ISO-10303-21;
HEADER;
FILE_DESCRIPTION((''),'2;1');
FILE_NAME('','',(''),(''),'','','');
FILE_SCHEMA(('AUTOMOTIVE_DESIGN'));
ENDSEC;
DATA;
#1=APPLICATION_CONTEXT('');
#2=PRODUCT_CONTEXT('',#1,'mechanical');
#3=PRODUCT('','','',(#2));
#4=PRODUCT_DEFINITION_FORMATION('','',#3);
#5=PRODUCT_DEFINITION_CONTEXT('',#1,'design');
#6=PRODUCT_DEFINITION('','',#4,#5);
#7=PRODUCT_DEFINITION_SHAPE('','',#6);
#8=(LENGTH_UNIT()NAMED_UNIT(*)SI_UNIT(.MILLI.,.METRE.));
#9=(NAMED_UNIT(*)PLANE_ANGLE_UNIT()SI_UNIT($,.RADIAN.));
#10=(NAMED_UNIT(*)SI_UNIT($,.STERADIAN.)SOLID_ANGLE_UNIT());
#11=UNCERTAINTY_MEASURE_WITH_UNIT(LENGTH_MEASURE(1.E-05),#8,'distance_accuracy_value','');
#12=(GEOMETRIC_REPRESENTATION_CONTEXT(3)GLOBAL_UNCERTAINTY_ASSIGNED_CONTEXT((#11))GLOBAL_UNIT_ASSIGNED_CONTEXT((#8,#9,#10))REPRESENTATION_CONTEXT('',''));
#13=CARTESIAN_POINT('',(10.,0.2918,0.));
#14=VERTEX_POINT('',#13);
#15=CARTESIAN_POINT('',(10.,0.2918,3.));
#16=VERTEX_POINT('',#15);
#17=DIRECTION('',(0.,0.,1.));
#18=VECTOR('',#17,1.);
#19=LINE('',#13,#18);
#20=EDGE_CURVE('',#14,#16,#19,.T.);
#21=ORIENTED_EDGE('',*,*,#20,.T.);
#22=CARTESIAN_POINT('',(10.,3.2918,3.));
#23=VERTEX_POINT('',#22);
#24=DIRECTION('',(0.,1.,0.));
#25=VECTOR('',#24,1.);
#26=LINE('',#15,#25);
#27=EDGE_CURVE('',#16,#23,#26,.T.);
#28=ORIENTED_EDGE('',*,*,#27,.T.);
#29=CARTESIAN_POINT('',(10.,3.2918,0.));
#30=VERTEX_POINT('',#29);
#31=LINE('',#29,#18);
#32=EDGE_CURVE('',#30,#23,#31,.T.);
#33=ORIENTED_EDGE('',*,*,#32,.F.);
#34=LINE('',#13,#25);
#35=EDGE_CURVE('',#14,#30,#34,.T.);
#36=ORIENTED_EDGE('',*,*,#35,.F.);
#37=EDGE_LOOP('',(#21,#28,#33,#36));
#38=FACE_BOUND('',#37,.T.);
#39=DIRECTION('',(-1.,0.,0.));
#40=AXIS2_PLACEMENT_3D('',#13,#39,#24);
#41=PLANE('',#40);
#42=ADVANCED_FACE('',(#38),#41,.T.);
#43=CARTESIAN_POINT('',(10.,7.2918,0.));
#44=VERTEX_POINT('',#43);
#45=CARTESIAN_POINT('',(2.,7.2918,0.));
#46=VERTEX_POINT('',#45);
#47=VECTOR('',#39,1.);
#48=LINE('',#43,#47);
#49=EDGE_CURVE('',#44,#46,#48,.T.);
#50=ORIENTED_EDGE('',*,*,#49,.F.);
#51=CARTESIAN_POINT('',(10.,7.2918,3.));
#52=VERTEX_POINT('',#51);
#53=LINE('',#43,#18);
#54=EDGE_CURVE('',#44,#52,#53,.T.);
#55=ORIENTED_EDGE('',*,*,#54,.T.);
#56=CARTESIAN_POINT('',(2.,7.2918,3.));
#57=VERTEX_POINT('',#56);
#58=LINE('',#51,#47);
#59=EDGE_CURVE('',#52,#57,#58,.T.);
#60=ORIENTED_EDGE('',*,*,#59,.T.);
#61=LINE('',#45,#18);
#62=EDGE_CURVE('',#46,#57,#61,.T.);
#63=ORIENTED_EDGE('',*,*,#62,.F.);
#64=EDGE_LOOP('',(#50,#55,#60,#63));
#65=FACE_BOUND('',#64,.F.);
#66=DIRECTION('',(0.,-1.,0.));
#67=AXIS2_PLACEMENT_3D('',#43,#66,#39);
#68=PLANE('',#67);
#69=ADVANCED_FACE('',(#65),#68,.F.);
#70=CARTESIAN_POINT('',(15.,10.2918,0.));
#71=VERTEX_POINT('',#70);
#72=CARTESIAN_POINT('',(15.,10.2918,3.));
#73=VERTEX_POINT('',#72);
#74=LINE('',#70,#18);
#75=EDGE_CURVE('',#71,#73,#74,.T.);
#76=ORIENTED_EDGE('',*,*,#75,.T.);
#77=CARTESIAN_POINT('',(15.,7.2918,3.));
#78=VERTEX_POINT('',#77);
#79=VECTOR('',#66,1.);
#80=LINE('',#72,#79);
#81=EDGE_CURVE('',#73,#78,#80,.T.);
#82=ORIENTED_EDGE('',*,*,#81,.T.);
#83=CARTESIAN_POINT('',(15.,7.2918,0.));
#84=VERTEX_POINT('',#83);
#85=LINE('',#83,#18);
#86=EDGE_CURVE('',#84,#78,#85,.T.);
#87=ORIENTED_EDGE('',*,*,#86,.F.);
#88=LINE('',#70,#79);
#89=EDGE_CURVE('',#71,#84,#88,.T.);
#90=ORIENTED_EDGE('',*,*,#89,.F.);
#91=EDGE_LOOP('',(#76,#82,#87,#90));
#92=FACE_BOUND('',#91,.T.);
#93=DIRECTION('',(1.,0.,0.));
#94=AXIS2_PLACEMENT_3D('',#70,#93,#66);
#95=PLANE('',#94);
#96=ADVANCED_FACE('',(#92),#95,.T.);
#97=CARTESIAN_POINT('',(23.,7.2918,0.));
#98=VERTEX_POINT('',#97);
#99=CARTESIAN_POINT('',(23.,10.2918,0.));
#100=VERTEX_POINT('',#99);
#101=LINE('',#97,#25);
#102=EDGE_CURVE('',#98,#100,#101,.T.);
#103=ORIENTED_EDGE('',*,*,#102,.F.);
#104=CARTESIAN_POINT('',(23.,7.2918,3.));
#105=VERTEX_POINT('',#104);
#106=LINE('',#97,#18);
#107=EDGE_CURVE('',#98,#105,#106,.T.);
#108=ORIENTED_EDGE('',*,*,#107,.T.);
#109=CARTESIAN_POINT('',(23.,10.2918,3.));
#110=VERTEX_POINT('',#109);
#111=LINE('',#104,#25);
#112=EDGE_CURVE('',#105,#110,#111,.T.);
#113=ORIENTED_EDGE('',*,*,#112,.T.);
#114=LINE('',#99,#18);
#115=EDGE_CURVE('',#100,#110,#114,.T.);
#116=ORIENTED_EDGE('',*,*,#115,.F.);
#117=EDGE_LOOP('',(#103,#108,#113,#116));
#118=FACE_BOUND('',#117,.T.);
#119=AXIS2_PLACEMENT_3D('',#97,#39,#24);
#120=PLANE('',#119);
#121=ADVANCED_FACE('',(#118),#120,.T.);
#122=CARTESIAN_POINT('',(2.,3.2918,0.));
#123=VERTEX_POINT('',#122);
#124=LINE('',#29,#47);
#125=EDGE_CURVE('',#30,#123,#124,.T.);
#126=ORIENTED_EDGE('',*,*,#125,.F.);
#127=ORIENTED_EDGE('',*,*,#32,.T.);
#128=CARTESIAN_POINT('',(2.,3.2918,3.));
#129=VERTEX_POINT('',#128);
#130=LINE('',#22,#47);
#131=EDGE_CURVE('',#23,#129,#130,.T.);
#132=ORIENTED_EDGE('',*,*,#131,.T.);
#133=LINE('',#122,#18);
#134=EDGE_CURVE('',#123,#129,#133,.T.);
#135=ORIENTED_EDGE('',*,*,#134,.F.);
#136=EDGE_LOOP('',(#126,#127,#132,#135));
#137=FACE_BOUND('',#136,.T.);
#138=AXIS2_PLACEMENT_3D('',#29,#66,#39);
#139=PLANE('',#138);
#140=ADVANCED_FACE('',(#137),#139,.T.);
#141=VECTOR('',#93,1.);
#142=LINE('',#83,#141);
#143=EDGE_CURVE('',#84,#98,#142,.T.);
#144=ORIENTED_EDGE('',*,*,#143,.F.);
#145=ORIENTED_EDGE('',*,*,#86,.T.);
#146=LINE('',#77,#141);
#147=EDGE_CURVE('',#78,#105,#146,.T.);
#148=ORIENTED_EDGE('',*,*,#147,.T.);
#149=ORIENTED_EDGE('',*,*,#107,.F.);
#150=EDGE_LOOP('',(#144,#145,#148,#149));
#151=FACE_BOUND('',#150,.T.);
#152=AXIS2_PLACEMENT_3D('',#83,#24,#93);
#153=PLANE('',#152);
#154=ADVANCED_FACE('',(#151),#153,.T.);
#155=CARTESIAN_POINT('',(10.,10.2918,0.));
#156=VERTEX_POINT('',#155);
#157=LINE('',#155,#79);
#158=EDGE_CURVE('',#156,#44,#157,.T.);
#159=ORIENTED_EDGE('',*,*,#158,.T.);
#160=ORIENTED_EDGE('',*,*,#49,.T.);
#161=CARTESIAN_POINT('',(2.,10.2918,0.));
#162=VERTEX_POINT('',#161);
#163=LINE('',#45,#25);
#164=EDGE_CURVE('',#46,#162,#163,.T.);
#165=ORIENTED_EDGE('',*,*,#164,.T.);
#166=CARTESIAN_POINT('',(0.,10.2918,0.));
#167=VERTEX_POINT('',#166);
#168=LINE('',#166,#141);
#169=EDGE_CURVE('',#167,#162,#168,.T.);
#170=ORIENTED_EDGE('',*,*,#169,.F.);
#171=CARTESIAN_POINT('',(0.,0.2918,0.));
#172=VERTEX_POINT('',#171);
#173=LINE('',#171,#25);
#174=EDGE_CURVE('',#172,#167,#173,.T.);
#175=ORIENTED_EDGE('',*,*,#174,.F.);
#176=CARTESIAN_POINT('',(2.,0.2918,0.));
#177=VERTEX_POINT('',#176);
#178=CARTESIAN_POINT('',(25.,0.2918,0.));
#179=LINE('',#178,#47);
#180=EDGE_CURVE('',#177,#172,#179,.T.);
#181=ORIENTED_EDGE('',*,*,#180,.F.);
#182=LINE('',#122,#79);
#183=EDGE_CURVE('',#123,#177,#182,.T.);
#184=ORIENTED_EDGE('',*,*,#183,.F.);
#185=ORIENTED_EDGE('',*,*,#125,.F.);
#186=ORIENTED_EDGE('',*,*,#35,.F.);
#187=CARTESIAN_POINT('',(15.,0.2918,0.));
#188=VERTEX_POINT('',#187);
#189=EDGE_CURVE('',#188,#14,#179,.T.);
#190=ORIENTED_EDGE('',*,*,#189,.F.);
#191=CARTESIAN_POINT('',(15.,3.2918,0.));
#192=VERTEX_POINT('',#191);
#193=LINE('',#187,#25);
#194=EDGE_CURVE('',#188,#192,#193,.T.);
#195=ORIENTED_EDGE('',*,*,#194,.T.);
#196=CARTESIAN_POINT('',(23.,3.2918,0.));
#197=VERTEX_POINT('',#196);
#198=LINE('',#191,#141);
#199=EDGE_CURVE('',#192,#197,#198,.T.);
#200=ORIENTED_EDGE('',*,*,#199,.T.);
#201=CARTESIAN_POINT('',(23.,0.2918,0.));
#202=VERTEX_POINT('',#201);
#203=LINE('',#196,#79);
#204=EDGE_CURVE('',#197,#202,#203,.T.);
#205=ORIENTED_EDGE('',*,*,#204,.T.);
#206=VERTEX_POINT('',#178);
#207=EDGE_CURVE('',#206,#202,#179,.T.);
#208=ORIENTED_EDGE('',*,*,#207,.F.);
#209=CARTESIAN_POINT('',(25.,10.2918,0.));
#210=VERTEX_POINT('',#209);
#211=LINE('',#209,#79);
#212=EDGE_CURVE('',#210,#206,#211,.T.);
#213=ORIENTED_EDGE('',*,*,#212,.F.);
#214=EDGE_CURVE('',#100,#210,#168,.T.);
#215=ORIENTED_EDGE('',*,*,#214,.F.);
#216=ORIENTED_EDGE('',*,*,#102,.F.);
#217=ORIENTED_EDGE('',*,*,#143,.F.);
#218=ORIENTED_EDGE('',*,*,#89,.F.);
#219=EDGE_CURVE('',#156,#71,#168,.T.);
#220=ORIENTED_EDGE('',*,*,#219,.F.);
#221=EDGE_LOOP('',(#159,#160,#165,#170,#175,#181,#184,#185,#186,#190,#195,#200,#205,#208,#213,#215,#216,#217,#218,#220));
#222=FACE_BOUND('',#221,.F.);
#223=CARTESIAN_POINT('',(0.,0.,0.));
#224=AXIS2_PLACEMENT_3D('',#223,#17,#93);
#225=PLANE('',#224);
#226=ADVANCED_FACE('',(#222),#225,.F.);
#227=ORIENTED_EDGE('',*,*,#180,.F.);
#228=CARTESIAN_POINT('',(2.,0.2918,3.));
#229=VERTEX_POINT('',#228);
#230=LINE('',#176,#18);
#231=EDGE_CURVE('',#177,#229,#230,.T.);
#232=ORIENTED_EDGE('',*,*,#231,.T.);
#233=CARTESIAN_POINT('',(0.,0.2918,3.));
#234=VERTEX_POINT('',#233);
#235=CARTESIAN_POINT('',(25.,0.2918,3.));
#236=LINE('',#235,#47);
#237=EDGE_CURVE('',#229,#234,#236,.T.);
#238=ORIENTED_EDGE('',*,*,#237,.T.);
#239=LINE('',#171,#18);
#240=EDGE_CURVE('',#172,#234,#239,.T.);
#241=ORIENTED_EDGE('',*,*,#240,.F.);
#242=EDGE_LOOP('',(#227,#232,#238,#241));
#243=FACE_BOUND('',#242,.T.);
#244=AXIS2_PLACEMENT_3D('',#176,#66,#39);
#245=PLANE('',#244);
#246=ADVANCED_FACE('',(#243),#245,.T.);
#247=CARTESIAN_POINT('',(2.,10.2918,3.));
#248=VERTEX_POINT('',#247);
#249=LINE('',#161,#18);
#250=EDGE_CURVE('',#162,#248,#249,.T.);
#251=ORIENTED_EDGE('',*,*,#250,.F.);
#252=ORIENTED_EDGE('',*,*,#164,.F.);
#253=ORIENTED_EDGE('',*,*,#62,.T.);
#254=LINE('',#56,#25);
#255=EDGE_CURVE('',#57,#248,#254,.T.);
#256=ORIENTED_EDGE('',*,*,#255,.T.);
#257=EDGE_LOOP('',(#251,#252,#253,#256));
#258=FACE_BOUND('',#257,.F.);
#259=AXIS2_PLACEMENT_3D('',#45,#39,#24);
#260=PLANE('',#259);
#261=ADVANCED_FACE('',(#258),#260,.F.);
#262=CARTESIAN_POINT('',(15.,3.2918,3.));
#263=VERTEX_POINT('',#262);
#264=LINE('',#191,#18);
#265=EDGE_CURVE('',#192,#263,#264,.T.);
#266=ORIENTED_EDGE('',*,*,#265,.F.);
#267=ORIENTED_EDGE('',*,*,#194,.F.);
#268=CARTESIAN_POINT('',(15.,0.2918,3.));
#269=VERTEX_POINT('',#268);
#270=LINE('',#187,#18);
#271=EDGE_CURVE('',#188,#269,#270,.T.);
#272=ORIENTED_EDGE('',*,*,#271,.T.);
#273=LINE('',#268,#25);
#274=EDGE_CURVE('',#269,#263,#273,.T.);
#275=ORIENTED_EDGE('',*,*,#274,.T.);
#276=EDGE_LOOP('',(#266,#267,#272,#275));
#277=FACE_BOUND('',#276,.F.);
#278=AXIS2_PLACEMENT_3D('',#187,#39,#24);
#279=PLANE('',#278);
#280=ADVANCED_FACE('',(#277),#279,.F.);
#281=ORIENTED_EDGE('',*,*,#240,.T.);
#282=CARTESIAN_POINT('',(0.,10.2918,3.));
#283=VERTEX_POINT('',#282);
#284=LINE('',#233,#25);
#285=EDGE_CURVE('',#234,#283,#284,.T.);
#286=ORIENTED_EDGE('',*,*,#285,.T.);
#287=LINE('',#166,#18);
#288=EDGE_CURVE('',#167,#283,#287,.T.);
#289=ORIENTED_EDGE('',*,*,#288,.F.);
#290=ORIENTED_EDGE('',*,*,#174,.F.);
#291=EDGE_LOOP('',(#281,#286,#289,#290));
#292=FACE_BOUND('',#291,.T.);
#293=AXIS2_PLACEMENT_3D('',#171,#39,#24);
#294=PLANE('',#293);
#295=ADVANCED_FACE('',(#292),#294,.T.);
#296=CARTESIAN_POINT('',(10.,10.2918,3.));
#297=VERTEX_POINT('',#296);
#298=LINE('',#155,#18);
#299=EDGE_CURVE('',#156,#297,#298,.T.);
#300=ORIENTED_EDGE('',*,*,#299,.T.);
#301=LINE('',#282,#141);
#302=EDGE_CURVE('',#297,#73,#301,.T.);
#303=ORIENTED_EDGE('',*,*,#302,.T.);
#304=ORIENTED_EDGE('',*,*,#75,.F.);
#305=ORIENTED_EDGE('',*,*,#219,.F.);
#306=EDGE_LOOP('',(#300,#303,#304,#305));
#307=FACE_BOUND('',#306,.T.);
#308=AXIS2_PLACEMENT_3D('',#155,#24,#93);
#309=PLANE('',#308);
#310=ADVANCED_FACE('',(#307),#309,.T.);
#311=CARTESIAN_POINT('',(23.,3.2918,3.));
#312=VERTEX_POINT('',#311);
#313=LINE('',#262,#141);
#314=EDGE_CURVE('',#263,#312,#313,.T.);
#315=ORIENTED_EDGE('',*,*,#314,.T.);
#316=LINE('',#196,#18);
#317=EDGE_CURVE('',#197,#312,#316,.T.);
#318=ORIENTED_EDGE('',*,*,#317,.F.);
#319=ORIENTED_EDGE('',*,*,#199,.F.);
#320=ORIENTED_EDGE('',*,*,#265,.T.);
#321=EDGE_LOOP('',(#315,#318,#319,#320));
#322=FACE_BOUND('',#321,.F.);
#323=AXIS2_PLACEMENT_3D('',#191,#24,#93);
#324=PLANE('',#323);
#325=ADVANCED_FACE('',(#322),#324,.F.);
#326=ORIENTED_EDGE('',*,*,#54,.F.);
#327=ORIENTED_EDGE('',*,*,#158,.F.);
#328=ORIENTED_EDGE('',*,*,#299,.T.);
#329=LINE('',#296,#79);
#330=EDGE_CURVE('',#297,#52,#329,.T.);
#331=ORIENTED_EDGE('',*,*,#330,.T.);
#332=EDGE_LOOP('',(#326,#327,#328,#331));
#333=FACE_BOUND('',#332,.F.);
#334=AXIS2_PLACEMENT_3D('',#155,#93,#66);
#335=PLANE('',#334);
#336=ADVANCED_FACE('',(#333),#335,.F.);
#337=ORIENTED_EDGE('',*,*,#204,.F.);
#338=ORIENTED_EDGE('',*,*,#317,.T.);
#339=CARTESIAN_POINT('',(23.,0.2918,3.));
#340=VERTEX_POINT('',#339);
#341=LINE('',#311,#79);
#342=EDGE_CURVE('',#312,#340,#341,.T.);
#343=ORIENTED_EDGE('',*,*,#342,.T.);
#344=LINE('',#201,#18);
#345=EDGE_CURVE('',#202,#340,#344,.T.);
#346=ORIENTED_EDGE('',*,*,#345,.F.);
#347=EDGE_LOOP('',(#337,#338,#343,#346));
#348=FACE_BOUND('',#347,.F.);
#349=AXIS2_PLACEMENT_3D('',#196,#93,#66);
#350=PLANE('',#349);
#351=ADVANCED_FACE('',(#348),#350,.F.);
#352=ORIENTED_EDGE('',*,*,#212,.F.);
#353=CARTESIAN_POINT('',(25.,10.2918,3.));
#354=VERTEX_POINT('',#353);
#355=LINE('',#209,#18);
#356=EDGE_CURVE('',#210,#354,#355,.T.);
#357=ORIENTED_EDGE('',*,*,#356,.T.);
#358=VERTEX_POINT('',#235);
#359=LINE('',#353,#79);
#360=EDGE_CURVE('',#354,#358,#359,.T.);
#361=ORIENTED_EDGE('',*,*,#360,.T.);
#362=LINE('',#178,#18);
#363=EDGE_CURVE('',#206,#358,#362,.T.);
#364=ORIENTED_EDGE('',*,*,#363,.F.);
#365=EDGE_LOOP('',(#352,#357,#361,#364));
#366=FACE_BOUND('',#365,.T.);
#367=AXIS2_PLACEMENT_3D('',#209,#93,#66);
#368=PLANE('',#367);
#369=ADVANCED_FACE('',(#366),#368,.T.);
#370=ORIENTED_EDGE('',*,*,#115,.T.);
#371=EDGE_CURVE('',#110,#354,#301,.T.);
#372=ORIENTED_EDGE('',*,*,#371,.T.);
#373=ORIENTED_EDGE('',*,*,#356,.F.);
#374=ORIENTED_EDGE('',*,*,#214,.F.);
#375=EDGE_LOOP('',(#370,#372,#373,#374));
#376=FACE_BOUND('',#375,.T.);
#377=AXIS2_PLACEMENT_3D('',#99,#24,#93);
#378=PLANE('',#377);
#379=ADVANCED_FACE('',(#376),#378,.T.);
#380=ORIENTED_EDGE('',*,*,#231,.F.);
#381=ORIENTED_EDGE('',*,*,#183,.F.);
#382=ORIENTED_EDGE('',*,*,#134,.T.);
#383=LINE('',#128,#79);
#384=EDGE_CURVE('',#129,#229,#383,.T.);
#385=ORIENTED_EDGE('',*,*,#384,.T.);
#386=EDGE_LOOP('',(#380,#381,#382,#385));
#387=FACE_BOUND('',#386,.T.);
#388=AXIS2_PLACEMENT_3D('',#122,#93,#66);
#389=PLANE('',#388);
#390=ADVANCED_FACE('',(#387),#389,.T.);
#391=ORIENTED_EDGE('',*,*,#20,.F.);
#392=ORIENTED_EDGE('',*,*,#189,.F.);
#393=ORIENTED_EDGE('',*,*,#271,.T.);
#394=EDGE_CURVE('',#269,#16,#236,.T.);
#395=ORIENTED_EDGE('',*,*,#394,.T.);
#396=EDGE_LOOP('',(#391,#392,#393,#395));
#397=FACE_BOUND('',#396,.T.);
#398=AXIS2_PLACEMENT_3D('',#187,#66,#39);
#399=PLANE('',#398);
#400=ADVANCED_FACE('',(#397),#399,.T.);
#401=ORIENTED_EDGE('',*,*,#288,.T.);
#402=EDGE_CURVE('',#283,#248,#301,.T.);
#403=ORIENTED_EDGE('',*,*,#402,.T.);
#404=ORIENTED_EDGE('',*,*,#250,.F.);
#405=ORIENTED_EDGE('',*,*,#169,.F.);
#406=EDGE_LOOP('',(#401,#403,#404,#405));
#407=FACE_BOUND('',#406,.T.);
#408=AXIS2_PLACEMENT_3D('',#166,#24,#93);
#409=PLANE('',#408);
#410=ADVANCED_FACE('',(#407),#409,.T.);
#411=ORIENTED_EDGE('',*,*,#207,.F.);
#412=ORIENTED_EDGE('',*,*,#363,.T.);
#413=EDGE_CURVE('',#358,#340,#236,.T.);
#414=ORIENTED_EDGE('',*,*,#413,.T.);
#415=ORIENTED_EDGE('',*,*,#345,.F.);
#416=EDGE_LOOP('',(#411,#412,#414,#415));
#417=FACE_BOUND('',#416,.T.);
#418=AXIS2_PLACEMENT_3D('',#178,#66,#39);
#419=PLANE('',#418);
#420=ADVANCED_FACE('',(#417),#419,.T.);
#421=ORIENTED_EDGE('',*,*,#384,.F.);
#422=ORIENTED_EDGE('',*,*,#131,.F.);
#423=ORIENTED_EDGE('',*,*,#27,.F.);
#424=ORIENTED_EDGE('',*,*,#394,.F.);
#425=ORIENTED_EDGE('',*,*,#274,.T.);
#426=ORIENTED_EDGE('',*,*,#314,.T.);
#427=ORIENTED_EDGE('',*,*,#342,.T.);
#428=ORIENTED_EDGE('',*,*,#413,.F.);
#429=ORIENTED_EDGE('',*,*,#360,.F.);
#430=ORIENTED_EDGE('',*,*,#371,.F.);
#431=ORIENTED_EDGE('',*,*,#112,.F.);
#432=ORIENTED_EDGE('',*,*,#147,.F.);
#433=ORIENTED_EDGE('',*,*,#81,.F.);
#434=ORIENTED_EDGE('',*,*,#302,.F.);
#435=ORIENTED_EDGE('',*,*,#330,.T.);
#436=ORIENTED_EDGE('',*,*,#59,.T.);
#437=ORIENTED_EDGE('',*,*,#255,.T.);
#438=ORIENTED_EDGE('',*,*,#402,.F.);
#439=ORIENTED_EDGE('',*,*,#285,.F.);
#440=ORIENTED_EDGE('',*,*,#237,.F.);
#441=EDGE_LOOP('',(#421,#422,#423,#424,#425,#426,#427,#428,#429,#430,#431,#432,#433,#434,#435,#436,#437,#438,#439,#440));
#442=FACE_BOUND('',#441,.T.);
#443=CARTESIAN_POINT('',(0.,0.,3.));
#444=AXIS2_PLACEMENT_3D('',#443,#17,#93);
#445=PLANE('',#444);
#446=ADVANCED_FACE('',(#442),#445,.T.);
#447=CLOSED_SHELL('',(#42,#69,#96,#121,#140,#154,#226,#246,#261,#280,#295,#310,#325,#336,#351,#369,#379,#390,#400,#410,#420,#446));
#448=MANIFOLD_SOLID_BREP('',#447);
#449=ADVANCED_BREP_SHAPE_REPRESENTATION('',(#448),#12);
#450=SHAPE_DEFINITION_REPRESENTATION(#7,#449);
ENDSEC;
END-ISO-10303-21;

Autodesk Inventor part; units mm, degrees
ref_plane "YZ Plane" through (0, 0, 0) normal (1, 0, 0) x (0, 1, 0)
ref_plane "XZ Plane" through (0, 0, 0) normal (0, 1, 0) x (-1, 0, 0)
ref_plane "XY Plane" through (0, 0, 0) normal (0, 0, 1) x (1, 0, 0)
sketch "Sketch1" plane through (0, 0, 0) normal (0, 0, 1) x (1, 0, 0)
  line L0 (0, 10.2918) -> (25, 10.2918)
  line L1 (25, 10.2918) -> (25, 0.2918)
  line L2 (25, 0.2918) -> (0, 0.2918)
  line L3 (0, 0.2918) -> (0, 10.2918)
  line L4 (2, 0.2918) -> (10, 0.2918)
  line L5 (10, 0.2918) -> (10, 3.2918)
  line L6 (10, 3.2918) -> (2, 3.2918)
  line L7 (2, 3.2918) -> (2, 0.2918)
  line L8 (0, 5.2918) -> (25, 5.2918) construction
  line L9 (12.5, 10.2918) -> (12.5, 0.2918) construction
  line L10 (23, 0.2918) -> (15, 0.2918)
  line L11 (15, 0.2918) -> (15, 3.2918)
  line L12 (15, 3.2918) -> (23, 3.2918)
  line L13 (23, 3.2918) -> (23, 0.2918)
  line L14 (2, 10.2918) -> (10, 10.2918)
  line L15 (10, 10.2918) -> (10, 7.2918)
  line L16 (10, 7.2918) -> (2, 7.2918)
  line L17 (2, 7.2918) -> (2, 10.2918)
  line L18 (23, 10.2918) -> (15, 10.2918)
  line L19 (15, 10.2918) -> (15, 7.2918)
  line L20 (15, 7.2918) -> (23, 7.2918)
  line L21 (23, 7.2918) -> (23, 10.2918)
  point P0 (0, 0)
  dimension "d0" = 25
  dimension "d1" = 10
  dimension "d2" = 3
  dimension "d3" = 2
  dimension "d4" = 8
extrude "Extrusion1" add sketch "Sketch1" along normal blind 3 contours L0 L17 L16 L15 L19 L20 L21 L1 L2 L13 L12 L11 L5 L6 L7 L3
properties part number "techoProctetorSensorHal"
